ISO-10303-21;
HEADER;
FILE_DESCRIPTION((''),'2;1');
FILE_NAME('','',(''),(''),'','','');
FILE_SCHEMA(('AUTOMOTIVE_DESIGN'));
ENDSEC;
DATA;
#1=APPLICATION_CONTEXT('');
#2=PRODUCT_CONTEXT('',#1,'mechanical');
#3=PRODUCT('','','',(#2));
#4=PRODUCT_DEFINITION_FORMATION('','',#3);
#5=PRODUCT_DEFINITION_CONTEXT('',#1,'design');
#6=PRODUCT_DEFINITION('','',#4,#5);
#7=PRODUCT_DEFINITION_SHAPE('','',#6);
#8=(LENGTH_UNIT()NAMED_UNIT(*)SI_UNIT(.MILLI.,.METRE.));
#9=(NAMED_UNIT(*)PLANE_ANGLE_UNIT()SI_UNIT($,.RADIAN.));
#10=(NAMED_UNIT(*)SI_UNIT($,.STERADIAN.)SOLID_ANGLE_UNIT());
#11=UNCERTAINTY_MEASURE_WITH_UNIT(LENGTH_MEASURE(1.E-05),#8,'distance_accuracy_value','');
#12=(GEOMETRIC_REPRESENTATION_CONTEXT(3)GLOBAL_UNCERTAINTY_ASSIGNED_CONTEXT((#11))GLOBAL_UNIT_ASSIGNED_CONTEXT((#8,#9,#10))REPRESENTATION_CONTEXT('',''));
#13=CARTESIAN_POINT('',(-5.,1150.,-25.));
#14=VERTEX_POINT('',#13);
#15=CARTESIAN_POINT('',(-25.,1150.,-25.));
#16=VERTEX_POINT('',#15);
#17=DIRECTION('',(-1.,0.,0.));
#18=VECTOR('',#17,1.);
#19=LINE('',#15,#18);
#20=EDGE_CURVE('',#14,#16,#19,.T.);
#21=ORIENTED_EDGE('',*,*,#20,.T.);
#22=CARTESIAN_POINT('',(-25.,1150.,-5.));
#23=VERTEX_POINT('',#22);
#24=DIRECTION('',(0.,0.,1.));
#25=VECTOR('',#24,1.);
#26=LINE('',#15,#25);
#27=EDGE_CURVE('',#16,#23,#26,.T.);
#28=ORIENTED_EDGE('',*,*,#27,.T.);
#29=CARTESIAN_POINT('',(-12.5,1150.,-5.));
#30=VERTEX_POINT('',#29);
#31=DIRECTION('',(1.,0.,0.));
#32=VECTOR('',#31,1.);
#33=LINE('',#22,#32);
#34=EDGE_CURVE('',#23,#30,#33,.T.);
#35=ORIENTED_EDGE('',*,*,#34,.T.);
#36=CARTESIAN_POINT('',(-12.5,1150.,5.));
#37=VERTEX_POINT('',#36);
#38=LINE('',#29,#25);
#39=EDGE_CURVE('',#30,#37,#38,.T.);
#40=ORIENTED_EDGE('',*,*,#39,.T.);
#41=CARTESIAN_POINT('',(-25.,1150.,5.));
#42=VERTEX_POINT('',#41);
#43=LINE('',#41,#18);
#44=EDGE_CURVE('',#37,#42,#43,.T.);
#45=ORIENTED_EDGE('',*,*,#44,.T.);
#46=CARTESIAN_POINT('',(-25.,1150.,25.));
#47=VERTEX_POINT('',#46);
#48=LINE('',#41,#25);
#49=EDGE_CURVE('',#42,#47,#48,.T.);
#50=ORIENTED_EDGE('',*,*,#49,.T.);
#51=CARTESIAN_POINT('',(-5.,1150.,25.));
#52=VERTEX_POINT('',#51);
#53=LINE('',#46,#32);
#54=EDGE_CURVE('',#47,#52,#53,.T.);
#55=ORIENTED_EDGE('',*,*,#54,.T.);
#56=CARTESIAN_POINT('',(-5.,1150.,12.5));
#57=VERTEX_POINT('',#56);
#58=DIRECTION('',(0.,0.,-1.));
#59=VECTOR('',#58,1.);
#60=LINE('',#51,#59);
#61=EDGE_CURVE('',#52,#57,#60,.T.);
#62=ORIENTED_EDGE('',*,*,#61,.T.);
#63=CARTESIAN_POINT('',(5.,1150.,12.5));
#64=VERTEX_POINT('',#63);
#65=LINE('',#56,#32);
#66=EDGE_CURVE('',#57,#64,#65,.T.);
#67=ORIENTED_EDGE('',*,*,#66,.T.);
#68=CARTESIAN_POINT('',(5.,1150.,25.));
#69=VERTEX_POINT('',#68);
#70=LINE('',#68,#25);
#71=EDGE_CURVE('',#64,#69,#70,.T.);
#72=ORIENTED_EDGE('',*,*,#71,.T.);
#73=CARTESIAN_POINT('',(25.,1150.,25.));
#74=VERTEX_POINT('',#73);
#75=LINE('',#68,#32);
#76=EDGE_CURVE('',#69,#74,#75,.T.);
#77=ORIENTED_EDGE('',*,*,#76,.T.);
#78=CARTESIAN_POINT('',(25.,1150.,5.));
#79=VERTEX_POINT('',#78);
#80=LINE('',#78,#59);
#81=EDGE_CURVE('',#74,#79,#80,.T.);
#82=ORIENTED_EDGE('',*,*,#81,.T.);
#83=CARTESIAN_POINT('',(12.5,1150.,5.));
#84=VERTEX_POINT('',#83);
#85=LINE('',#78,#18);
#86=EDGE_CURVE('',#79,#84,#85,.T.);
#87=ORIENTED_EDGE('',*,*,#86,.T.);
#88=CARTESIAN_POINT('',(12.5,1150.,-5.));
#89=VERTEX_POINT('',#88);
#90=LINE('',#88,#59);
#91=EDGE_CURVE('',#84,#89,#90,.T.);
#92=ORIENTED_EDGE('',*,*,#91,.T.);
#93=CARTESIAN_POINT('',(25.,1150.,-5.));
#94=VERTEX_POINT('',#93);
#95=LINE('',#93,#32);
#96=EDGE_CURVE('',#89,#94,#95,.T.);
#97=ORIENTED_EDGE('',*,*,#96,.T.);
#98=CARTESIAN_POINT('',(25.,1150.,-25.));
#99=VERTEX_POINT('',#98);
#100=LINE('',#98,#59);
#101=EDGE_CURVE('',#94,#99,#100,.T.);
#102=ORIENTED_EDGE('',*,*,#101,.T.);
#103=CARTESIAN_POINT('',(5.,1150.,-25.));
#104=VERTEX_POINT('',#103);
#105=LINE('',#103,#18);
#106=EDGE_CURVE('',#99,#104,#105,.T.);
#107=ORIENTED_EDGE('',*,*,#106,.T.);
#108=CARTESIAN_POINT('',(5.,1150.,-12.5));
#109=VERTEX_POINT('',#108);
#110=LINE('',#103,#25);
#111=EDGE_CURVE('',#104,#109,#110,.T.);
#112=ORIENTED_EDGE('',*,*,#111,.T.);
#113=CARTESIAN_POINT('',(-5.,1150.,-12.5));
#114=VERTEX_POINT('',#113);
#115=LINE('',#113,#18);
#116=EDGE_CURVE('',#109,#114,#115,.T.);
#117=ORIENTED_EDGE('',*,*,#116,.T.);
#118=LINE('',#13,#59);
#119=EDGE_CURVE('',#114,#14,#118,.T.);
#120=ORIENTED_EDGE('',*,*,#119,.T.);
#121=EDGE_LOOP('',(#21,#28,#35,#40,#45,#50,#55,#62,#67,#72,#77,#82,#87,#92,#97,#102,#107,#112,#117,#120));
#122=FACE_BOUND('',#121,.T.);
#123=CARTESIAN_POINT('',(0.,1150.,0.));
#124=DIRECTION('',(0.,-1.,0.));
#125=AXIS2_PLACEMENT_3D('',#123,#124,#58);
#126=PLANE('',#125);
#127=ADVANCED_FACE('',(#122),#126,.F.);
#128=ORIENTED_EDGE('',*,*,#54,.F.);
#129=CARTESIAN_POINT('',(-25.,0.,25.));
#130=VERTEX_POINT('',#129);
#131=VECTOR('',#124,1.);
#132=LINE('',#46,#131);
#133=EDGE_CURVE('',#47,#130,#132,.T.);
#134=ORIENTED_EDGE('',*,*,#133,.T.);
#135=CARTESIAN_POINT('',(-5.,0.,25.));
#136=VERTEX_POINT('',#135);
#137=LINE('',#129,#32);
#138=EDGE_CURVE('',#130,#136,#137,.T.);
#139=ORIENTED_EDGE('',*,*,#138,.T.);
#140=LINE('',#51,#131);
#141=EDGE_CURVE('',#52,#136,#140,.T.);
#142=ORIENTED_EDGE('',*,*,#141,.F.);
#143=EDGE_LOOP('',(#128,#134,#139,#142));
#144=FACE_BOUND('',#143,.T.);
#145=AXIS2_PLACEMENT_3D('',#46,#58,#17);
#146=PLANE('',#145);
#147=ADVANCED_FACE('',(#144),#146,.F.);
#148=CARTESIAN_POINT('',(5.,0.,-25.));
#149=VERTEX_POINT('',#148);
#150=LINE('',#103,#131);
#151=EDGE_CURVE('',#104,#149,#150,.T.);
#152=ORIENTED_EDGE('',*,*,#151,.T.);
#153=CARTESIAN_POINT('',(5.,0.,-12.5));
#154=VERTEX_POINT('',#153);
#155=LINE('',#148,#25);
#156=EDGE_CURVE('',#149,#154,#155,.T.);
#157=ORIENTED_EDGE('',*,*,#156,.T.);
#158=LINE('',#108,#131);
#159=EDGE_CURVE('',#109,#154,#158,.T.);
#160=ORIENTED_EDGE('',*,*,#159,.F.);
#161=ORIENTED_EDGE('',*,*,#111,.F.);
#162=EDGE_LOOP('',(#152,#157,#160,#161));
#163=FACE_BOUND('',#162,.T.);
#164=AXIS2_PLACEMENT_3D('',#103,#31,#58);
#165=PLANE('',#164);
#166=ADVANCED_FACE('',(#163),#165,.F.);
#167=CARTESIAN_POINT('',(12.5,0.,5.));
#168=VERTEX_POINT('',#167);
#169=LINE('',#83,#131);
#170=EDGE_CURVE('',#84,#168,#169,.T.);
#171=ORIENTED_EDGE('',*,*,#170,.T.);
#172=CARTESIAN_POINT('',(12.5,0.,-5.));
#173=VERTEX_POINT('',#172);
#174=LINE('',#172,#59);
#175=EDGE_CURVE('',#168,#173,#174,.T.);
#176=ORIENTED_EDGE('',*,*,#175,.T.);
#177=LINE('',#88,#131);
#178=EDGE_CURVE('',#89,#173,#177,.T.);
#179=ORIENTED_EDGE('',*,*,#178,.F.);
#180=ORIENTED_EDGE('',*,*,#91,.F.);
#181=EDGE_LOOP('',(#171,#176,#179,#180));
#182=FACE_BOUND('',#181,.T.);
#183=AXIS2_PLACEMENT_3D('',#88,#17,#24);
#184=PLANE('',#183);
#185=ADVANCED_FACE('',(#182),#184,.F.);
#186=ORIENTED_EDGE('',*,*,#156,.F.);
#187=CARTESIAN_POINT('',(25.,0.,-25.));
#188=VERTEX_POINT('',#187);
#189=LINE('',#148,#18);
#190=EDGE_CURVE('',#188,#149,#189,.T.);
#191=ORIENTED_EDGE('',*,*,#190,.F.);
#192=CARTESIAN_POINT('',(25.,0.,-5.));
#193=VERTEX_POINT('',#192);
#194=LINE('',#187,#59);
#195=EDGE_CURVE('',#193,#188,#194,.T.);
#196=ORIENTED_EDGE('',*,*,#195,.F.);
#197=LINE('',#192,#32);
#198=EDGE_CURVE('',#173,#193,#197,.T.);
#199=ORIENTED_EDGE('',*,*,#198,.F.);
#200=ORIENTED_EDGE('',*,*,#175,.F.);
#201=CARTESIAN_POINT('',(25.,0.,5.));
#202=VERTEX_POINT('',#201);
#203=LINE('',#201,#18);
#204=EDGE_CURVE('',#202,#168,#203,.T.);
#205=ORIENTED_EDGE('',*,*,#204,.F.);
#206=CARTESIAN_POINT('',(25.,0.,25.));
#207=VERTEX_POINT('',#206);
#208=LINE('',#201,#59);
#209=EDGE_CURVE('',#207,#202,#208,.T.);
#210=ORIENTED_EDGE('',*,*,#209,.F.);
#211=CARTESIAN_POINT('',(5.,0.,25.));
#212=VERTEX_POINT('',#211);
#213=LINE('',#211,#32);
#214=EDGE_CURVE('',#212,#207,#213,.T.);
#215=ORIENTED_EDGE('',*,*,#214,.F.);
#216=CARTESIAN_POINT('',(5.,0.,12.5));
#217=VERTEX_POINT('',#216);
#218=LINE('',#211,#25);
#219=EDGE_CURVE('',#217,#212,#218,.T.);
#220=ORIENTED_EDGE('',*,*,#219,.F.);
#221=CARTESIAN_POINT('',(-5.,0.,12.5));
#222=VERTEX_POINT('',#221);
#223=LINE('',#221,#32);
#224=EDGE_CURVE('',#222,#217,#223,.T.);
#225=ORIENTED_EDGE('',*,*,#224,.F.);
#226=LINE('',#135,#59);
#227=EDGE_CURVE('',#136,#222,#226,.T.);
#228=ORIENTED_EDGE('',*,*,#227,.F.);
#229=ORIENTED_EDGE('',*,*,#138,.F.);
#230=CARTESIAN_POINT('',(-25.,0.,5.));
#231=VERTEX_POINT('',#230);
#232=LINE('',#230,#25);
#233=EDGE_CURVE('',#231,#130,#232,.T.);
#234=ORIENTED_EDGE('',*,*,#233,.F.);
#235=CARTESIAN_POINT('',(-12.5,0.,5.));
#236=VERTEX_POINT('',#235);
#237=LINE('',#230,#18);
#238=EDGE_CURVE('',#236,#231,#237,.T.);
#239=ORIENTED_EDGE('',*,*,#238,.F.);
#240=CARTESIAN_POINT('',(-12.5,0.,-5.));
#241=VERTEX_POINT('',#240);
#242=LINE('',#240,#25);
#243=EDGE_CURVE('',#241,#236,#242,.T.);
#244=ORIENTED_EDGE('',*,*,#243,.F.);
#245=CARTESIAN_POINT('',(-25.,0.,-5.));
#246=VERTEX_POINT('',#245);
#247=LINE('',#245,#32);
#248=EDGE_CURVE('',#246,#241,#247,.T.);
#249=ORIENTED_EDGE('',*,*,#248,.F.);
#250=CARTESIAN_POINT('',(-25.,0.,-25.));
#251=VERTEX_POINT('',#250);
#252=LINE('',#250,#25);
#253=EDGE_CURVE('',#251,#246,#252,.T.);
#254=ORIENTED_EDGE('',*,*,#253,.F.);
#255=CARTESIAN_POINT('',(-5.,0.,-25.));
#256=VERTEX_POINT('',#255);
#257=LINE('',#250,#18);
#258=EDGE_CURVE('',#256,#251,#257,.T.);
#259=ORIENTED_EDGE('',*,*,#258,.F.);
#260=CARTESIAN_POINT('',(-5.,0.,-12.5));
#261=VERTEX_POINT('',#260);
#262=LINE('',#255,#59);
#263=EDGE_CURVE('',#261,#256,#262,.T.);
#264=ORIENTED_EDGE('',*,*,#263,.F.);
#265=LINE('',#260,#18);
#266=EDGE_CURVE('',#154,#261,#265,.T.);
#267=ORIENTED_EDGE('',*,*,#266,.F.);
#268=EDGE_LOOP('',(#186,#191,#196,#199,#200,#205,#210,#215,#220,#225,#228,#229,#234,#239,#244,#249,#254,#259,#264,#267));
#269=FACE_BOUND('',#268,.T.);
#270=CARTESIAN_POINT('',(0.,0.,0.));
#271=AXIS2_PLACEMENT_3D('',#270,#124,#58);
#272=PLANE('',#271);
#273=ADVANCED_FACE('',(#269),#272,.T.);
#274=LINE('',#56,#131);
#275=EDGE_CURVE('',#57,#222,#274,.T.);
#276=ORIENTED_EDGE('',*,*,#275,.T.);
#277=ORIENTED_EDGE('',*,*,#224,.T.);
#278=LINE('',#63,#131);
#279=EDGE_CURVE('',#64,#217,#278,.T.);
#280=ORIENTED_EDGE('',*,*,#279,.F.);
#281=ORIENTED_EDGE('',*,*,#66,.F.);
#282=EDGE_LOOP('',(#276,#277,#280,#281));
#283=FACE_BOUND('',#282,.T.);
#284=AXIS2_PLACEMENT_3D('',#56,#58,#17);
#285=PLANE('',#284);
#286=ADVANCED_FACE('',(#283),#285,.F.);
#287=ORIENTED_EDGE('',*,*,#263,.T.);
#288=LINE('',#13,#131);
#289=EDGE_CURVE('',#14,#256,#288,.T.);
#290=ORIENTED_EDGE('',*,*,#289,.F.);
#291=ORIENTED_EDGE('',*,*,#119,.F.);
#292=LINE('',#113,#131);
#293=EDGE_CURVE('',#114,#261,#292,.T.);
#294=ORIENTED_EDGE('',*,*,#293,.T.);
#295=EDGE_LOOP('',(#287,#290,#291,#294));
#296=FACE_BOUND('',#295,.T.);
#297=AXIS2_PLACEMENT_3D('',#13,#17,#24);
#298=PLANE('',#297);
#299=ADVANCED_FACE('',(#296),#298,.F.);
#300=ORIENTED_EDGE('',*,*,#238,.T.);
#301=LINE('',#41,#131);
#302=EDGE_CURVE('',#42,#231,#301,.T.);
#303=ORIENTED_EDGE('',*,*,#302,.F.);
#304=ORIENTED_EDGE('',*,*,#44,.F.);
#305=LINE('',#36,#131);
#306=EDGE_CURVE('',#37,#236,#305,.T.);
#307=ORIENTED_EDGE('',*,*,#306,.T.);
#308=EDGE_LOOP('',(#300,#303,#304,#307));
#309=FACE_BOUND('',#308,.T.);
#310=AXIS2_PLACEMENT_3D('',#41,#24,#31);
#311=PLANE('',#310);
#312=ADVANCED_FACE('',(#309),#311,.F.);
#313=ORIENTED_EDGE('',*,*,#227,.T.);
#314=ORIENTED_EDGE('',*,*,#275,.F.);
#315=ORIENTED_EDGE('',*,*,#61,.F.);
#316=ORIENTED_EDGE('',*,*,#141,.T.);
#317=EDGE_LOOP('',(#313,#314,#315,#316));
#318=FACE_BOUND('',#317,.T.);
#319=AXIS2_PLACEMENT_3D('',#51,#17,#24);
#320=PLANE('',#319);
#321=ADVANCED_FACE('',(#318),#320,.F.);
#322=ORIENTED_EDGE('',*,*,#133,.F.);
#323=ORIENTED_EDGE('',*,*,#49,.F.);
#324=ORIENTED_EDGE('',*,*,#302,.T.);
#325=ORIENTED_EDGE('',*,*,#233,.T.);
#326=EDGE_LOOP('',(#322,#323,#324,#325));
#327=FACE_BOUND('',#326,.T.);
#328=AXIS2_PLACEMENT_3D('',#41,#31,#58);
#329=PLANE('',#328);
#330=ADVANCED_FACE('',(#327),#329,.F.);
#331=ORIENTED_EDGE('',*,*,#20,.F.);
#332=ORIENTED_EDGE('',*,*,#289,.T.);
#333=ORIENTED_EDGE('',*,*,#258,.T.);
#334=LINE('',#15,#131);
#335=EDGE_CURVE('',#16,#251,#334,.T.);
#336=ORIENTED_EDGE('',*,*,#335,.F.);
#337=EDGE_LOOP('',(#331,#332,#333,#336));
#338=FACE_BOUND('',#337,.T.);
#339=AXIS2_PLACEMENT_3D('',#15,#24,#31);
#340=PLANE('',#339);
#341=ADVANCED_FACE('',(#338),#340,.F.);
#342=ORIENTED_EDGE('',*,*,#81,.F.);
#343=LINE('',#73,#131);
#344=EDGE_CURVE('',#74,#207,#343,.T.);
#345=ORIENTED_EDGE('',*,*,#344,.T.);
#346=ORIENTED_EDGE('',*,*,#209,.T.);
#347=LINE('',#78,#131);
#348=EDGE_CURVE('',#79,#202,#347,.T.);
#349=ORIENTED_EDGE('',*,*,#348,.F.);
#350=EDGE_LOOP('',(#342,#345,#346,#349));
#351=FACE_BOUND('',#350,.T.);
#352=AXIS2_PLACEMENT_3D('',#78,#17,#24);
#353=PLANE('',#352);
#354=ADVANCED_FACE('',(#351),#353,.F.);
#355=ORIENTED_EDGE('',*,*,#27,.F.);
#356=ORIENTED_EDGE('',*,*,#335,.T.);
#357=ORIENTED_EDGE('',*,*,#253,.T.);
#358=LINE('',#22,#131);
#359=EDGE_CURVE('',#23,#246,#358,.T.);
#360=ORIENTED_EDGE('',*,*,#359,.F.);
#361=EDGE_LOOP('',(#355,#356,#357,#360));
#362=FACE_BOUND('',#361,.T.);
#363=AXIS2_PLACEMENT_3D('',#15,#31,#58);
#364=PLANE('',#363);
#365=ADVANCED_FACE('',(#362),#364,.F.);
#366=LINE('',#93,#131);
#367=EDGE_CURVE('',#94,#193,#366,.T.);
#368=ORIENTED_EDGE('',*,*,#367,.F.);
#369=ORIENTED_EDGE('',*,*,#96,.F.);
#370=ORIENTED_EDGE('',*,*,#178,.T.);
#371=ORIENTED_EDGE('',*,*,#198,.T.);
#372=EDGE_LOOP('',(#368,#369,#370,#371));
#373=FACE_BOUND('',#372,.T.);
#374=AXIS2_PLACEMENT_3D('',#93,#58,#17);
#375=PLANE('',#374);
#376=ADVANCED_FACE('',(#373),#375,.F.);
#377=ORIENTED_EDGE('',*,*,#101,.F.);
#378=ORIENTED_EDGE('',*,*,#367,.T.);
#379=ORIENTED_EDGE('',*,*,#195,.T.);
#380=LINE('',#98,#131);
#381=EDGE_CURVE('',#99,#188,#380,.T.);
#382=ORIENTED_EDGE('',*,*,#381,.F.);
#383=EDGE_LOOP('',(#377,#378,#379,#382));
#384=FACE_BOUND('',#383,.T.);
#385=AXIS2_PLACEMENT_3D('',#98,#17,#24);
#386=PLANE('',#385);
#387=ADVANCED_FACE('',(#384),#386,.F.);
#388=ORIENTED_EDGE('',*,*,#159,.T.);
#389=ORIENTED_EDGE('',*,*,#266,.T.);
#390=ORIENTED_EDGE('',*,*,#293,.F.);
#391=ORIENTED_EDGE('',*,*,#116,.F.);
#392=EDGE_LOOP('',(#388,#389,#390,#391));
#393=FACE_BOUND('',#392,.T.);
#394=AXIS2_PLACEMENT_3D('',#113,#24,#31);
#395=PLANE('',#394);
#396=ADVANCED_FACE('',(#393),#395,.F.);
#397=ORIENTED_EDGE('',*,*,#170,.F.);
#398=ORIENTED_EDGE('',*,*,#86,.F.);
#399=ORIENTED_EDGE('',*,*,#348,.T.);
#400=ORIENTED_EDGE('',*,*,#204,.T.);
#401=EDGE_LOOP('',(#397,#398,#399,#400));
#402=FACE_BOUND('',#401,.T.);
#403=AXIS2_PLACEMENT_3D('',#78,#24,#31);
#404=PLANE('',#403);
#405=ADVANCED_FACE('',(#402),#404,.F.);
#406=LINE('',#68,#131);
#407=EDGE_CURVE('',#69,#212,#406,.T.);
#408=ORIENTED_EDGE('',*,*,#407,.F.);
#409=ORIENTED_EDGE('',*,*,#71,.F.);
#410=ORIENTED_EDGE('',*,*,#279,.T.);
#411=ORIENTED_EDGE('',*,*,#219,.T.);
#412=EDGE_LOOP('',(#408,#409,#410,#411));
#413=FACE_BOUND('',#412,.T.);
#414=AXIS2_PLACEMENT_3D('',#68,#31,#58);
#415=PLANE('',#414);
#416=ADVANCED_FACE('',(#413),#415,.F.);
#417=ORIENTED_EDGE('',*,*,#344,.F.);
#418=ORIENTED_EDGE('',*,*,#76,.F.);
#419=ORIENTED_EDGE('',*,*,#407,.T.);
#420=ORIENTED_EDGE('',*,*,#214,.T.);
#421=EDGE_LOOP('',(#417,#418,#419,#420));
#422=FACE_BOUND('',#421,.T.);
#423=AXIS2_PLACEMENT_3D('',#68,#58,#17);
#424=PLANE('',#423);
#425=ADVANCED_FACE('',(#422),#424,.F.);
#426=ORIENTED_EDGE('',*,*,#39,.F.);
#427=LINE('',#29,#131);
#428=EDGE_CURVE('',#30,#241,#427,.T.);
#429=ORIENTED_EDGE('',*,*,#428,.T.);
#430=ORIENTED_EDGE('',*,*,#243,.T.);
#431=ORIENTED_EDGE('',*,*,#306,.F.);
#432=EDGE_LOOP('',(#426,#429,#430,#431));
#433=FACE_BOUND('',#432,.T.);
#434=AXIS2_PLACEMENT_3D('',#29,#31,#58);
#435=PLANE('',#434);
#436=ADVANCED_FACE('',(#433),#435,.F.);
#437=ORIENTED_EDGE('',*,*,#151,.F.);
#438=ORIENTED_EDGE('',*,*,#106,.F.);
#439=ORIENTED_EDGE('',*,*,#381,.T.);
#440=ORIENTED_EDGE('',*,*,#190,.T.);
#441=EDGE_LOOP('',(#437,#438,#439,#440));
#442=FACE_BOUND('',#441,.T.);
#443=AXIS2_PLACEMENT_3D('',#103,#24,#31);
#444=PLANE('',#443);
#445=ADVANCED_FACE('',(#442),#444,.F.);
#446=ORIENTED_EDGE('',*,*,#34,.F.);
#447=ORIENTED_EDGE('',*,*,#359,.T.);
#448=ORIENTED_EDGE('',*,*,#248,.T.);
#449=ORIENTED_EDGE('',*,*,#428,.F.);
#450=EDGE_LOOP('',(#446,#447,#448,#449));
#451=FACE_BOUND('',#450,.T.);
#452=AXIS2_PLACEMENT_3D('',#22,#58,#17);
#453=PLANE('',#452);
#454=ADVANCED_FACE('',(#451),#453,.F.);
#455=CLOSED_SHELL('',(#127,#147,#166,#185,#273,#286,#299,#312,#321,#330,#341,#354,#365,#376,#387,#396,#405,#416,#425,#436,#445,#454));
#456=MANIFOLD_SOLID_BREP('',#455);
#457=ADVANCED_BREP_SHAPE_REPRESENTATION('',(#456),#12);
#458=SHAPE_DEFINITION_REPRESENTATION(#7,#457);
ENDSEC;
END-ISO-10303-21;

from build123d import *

# Parameters (mm, degrees)
BOSS_EXTRUDE1_DEPTH = 1150
BOSS_EXTRUDE2_DEPTH = 10


with BuildPart() as part:
    # Sketch1 → Boss-Extrude1 (new body)
    with BuildSketch(Plane(origin=(0, 0, 0), x_dir=(1, 0, 0), z_dir=(0, 1, 0))):
        Polygon((-25, 25), (-5, 25), (-5, 12.5), (5, 12.5), (5, 25), (25, 25), (25, 5), (12.5, 5), (12.5, -5), (25, -5), (25, -25), (5, -25), (5, -12.5), (-5, -12.5), (-5, -25), (-25, -25), (-25, -5), (-12.5, -5), (-12.5, 5), (-25, 5), align=None)
    extrude(amount=BOSS_EXTRUDE1_DEPTH)

    # Sketch1<2> → Boss-Extrude2 (add)
    with BuildSketch(Plane(origin=(0, 0, 0), x_dir=(1, 0, 0), z_dir=(0, 1, 0))):
        Polygon((-25, 25), (-5, 25), (-5, 12.5), (5, 12.5), (5, 25), (25, 25), (25, 5), (12.5, 5), (12.5, -5), (25, -5), (25, -25), (5, -25), (5, -12.5), (-5, -12.5), (-5, -25), (-25, -25), (-25, -5), (-12.5, -5), (-12.5, 5), (-25, 5), align=None)
    extrude(amount=BOSS_EXTRUDE2_DEPTH)


solid = part.part
